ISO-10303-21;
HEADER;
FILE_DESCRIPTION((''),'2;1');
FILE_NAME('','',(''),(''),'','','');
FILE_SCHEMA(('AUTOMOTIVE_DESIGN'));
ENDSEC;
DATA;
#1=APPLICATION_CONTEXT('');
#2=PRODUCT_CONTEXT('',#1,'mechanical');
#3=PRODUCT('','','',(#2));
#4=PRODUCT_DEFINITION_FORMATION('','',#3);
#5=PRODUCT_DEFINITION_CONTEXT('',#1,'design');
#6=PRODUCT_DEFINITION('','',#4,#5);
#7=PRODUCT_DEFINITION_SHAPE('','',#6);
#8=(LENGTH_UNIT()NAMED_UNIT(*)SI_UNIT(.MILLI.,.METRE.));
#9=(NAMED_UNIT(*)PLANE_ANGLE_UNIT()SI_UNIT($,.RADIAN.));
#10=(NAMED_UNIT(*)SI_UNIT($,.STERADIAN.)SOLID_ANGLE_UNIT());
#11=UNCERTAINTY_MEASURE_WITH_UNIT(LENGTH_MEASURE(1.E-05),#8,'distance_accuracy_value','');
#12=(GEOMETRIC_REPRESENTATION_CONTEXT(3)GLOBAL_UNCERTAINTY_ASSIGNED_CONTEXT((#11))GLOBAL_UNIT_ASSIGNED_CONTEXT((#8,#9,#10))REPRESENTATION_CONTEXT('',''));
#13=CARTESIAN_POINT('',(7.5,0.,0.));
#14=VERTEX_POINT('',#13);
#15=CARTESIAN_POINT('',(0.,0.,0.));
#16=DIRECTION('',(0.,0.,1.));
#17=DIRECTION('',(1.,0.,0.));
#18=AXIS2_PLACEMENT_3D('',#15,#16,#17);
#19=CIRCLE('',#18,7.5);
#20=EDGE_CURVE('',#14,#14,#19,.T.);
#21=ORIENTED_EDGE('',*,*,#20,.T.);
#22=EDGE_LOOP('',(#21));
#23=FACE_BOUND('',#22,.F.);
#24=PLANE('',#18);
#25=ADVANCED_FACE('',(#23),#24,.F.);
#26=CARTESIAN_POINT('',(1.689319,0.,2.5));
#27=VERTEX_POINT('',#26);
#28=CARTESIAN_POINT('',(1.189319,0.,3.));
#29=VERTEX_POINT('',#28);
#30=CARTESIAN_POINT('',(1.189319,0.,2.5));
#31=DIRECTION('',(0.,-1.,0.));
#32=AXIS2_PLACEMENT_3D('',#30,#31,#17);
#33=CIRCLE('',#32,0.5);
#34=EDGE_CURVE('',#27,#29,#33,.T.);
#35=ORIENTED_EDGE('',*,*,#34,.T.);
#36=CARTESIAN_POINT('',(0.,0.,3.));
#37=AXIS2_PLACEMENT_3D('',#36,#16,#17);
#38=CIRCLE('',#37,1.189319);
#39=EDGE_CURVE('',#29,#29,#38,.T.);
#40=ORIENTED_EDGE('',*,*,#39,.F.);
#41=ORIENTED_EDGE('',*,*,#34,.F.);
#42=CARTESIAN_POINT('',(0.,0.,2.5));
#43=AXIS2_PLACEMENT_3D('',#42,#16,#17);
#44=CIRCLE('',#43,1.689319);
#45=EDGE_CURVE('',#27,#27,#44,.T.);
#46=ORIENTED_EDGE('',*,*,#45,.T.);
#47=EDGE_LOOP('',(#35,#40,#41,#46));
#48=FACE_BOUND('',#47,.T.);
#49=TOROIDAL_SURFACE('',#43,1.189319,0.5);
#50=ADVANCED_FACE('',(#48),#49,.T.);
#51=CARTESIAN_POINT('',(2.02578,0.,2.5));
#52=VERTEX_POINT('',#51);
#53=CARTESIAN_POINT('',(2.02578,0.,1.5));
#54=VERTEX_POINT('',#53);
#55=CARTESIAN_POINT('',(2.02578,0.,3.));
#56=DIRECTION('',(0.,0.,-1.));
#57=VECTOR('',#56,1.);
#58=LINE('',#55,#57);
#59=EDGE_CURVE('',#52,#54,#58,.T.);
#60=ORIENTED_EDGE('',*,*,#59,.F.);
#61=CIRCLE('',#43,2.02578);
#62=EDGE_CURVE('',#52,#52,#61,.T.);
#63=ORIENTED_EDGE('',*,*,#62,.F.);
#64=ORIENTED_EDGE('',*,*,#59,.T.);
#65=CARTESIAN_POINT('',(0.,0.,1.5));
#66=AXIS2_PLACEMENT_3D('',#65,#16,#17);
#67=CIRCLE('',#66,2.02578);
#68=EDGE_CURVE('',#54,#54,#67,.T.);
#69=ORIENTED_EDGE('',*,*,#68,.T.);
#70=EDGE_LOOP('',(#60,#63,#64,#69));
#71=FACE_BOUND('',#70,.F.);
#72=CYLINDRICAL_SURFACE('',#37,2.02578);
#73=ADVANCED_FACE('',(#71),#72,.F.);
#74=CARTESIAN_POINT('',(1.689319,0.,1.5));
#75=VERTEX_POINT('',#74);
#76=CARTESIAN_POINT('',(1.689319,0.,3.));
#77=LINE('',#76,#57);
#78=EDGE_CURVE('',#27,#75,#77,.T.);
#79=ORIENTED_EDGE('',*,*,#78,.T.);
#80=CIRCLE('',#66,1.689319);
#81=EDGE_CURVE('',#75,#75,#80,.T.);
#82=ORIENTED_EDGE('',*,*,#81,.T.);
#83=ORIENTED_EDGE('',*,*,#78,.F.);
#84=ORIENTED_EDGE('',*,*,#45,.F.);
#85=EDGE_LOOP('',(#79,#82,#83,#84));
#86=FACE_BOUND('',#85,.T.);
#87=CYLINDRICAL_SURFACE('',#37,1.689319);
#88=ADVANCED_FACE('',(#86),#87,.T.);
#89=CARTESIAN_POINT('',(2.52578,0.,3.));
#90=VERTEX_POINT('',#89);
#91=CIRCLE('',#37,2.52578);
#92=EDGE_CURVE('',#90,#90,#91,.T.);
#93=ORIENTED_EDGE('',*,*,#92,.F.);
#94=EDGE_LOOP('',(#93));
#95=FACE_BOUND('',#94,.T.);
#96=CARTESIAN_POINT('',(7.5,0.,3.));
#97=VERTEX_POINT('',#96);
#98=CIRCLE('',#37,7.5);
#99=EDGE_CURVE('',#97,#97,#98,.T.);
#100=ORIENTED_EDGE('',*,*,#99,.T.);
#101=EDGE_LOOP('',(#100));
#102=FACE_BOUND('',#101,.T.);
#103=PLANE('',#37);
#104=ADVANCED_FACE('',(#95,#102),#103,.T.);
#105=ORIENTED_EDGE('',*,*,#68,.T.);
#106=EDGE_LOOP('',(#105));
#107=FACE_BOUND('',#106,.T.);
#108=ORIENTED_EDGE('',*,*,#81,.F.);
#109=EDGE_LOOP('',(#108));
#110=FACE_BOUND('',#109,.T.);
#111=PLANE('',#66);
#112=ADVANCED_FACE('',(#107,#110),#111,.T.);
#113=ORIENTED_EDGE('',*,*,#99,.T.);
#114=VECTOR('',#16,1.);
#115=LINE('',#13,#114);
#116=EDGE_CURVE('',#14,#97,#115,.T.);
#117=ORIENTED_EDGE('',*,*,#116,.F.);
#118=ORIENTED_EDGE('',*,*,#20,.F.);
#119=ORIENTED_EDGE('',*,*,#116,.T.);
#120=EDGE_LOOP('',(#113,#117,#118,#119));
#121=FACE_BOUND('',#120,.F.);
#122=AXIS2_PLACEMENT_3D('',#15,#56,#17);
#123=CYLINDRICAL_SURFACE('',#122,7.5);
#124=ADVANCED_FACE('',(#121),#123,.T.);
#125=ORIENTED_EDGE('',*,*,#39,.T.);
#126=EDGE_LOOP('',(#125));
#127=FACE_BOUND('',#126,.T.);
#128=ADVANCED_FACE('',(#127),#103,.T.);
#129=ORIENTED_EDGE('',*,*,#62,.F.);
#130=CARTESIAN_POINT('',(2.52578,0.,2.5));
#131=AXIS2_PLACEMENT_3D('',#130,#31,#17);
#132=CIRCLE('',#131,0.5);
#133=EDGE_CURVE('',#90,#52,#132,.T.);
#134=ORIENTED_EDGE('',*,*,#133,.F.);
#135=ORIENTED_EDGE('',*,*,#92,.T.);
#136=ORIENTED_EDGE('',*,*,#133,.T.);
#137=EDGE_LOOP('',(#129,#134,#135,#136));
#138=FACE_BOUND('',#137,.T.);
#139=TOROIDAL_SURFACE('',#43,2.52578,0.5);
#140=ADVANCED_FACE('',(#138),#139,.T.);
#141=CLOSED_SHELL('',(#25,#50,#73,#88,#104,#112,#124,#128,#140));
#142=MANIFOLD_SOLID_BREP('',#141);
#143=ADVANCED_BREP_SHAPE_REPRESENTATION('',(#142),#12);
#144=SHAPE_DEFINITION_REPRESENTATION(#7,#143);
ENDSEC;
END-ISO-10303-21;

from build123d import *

# Parameters (mm, degrees)
F0_R     = 7.5
F0_R_2   = 2.0257797654
F0_R_3   = 1.6893187084
F1_DEPTH = 3
F2_R     = 2.0257797654
F2_R_2   = 1.6893187084
F3_DEPTH = 1.5
F4_R     = 0.5


with BuildPart() as f1:
    # F0 (on Top) → F1 (new body)
    with BuildSketch(Plane.XY):
        Circle(F0_R)
        Circle(F0_R_2, mode=Mode.SUBTRACT)
        Circle(F0_R_2)
        Circle(F0_R_3, mode=Mode.SUBTRACT)
        Circle(F0_R_3)
    extrude(amount=F1_DEPTH)

    # F2 (on face) → F3 (cut)
    with BuildSketch(Plane.XY.offset(3)):
        Circle(F2_R)
        Circle(F2_R_2, mode=Mode.SUBTRACT)
    extrude(amount=-F3_DEPTH, mode=Mode.SUBTRACT)

    # F4
    f4_edges = [f1.edges().sort_by_distance(p)[0] for p in [
        (-1.689319, 0, 3),
        (-2.02578, 0, 3),
    ]]
    fillet(f4_edges, radius=F4_R)


solid = f1.part
